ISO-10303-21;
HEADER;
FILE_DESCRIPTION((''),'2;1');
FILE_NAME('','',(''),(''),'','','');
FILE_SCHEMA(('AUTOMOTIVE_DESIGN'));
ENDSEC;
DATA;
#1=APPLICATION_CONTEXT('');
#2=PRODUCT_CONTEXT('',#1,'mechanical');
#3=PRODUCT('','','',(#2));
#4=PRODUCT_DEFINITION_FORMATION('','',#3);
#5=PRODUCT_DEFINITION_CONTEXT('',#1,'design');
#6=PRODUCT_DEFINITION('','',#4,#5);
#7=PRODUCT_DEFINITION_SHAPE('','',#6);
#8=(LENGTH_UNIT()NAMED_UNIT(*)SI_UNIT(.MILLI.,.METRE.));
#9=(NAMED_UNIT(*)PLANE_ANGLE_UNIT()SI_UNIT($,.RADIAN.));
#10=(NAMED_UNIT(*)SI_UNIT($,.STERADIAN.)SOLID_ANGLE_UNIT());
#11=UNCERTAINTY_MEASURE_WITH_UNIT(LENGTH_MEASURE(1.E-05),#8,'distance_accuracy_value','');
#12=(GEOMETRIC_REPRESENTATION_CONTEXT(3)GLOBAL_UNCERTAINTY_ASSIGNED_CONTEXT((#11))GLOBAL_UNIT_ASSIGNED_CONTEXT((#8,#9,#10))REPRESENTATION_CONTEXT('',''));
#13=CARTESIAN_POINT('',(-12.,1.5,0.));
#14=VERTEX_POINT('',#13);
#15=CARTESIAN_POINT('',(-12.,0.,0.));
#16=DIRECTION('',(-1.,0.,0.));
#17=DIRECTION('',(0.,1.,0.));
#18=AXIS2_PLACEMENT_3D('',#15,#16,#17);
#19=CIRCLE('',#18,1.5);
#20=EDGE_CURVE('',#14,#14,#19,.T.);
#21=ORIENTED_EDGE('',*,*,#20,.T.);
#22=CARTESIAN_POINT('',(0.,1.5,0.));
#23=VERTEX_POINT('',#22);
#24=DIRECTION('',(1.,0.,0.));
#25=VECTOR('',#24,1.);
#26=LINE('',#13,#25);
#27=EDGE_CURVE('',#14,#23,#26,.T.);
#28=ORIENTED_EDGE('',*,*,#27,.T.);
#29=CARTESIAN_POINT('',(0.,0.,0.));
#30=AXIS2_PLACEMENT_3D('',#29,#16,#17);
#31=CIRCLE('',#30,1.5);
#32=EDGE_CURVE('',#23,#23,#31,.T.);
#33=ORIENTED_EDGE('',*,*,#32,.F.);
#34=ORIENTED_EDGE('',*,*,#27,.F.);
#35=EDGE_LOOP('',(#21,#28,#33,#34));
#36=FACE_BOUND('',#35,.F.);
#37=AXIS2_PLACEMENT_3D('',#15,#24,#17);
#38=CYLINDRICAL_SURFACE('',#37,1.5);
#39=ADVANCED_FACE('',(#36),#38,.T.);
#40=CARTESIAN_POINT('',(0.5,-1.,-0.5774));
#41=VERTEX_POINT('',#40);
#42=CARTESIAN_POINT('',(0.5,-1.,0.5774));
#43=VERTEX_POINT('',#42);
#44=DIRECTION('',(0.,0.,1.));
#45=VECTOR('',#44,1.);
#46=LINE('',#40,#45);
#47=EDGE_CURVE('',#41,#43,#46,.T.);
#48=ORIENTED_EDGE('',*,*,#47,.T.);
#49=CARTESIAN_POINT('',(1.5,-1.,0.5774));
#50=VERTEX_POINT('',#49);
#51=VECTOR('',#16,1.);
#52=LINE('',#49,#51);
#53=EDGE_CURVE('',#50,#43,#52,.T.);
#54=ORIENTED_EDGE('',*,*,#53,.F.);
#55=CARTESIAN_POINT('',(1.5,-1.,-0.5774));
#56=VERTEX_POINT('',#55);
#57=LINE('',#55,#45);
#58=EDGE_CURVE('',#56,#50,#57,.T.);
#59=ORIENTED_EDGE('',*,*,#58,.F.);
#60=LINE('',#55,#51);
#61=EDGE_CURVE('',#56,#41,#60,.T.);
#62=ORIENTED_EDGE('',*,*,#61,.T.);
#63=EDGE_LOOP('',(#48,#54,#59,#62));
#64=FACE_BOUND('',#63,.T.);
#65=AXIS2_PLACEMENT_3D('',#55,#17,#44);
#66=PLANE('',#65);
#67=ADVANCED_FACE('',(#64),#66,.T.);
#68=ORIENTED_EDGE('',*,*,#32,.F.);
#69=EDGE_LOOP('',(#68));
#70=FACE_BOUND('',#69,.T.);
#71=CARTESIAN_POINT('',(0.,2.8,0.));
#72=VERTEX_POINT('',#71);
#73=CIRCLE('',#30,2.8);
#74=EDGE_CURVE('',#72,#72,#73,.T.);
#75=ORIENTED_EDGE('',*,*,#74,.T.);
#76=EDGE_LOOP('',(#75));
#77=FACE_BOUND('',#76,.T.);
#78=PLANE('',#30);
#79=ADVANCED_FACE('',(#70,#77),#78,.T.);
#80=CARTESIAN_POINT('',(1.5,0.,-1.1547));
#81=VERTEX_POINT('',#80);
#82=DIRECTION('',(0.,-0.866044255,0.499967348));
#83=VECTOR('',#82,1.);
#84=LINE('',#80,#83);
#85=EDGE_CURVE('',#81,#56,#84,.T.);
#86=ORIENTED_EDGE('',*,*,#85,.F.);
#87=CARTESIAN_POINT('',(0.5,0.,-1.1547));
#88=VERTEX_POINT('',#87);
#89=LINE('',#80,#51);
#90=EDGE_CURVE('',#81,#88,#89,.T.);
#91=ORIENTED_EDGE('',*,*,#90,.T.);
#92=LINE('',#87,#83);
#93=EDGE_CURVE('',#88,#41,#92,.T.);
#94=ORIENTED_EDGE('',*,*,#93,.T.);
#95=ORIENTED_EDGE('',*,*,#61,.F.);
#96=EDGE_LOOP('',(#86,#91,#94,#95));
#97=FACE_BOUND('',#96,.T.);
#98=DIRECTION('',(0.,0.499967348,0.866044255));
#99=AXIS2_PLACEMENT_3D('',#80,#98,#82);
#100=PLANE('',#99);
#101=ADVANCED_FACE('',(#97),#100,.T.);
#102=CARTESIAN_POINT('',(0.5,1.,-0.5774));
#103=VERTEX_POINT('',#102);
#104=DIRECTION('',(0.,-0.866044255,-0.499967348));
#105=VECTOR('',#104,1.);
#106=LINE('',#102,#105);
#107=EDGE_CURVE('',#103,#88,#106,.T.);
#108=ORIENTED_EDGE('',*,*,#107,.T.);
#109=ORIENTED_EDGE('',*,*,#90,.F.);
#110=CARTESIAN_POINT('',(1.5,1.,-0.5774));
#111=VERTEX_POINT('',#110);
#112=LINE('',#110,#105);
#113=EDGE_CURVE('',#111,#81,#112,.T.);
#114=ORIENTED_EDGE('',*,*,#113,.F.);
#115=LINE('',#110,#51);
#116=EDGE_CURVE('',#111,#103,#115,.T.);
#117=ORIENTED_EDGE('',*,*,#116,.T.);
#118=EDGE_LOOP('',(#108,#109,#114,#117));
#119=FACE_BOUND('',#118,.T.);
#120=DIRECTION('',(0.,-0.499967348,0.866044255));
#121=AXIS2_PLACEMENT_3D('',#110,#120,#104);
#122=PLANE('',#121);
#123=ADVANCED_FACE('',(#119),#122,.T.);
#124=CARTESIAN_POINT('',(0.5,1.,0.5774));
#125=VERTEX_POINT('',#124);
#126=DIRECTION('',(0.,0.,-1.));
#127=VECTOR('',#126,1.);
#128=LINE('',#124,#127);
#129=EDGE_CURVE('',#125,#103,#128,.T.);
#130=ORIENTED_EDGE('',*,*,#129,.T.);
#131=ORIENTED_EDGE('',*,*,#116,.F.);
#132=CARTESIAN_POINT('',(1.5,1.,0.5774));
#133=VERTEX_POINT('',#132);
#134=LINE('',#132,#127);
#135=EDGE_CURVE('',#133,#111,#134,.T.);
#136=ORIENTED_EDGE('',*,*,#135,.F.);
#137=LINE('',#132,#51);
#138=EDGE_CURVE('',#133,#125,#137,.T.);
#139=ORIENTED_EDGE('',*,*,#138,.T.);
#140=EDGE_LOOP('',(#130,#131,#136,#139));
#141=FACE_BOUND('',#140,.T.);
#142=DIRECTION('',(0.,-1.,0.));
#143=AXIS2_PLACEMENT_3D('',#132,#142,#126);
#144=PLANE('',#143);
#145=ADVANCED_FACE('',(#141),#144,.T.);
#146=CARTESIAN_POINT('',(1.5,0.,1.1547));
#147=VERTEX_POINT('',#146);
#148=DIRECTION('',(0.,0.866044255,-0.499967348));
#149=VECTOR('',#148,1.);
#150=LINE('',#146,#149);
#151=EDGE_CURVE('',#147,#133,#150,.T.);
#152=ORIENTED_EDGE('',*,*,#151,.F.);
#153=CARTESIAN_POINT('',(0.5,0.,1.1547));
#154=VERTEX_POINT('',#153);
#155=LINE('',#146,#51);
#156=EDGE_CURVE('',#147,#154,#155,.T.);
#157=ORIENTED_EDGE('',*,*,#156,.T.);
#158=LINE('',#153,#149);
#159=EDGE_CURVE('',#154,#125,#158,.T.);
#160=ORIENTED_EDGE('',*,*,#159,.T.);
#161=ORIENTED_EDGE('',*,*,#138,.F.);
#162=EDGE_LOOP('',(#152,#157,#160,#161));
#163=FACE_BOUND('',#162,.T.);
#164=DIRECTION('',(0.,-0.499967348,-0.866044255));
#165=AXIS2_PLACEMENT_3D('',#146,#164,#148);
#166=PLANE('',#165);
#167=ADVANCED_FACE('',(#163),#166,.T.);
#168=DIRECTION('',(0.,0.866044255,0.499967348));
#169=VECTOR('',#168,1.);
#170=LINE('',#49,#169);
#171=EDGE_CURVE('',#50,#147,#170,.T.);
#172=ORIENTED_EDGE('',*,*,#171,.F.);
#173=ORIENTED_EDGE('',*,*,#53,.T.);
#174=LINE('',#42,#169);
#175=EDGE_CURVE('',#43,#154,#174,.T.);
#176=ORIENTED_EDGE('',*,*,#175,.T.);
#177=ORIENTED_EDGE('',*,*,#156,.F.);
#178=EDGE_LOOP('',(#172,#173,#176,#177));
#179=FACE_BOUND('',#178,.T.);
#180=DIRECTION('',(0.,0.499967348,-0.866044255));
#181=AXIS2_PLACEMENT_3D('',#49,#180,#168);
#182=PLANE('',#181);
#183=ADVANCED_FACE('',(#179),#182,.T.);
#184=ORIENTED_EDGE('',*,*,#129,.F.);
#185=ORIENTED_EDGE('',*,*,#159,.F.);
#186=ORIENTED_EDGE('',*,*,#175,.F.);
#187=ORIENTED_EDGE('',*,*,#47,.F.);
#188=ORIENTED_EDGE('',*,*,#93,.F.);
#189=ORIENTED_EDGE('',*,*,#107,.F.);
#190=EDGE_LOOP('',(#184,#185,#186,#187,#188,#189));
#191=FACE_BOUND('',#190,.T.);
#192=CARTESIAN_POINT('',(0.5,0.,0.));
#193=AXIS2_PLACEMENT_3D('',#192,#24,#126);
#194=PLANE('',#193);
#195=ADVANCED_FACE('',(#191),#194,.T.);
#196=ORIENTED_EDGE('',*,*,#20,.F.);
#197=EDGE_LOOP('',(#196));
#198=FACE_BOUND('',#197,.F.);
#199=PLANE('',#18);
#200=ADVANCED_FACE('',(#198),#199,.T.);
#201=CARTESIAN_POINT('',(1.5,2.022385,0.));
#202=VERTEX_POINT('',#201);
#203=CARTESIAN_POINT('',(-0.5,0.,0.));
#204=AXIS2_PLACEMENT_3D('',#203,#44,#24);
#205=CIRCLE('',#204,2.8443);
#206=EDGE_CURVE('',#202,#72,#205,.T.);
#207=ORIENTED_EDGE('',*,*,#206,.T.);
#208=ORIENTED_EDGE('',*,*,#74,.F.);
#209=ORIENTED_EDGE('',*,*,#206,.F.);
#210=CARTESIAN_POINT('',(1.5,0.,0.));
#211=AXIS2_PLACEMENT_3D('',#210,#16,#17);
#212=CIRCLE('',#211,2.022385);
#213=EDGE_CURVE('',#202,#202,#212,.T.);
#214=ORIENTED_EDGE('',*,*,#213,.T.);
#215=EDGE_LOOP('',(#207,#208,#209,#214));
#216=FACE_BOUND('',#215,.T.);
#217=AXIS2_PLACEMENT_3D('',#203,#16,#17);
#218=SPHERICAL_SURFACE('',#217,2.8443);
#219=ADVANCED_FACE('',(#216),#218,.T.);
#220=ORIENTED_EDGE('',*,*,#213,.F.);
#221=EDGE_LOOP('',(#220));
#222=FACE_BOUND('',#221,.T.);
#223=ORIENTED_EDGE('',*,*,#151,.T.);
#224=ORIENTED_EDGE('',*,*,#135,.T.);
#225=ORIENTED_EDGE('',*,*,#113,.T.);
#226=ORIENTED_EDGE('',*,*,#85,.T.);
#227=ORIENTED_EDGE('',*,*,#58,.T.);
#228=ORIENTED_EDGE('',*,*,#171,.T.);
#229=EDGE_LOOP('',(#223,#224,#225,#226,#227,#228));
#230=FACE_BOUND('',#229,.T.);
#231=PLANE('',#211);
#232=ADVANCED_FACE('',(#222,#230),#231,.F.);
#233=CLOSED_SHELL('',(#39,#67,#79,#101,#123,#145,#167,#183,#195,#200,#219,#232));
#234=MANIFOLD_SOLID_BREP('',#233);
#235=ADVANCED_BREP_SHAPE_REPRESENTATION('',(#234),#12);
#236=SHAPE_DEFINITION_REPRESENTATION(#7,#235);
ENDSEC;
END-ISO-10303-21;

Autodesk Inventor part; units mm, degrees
ref_plane "YZ Plane" through (0, 0, 0) normal (1, 0, 0) x (0, 1, 0)
ref_plane "XZ Plane" through (0, 0, 0) normal (0, 1, 0) x (-1, 0, 0)
ref_plane "XY Plane" through (0, 0, 0) normal (0, 0, 1) x (1, 0, 0)
sketch "Sketch1" plane through (0, 0, 0) normal (0, 0, 1) x (1, 0, 0)
  line L0 (0, 0) -> (-12, 0)
  line L1 (-12, 0) -> (-12, 1.5)
  line L2 (-12, 1.5) -> (0, 1.5)
  line L3 (0, 1.5) -> (0, 0)
  line L4 (0, 0) -> (1.5, 0)
  line L5 (1.5, 0) -> (1.5, 2.8)
  line L6 (1.5, 2.8) -> (0, 2.8)
  line L7 (0, 2.8) -> (0, 0)
  circle A0 centre (-0.5, 0) radius 2.8443
  point P0 (1.5, 2.0224)
  dimension "d0" = 12
  dimension "d1" = 1.5
  dimension "d2" = 2.8
  dimension "d3" = 1.5
  dimension "d4" = 0.5
revolve "Revolution1" add sketch "Sketch1" angle 360 about axis through (0, 0, 0) along (-1, 0, 0) contours L0 A0 L2 L3 | L3 L7 A0 L5 L4 | L0 L1 L2 A0
thread "Thread1" size "M3x0.5" class "6g" standard "ANSI Metric M Profile" full length
sketch "Sketch2" plane through (1.5, 0, 0) normal (1, 0, 0) x (0, 0, -1)
  line L0 (0.5774, 1) -> (1.1547, 0)
  line L1 (1.1547, 0) -> (0.5774, -1)
  line L2 (0.5774, -1) -> (-0.5774, -1)
  line L3 (-0.5774, -1) -> (-1.1547, 0)
  line L4 (-1.1547, 0) -> (-0.5774, 1)
  line L5 (-0.5774, 1) -> (0.5774, 1)
  point P0 (0, 0)
  point P1 (0, 0)
  point P2 (0, -1)
  dimension "d8" = 2
extrude "Extrusion1" cut sketch "Sketch2" against normal blind 1
properties part number "M3 x 12 Button"
